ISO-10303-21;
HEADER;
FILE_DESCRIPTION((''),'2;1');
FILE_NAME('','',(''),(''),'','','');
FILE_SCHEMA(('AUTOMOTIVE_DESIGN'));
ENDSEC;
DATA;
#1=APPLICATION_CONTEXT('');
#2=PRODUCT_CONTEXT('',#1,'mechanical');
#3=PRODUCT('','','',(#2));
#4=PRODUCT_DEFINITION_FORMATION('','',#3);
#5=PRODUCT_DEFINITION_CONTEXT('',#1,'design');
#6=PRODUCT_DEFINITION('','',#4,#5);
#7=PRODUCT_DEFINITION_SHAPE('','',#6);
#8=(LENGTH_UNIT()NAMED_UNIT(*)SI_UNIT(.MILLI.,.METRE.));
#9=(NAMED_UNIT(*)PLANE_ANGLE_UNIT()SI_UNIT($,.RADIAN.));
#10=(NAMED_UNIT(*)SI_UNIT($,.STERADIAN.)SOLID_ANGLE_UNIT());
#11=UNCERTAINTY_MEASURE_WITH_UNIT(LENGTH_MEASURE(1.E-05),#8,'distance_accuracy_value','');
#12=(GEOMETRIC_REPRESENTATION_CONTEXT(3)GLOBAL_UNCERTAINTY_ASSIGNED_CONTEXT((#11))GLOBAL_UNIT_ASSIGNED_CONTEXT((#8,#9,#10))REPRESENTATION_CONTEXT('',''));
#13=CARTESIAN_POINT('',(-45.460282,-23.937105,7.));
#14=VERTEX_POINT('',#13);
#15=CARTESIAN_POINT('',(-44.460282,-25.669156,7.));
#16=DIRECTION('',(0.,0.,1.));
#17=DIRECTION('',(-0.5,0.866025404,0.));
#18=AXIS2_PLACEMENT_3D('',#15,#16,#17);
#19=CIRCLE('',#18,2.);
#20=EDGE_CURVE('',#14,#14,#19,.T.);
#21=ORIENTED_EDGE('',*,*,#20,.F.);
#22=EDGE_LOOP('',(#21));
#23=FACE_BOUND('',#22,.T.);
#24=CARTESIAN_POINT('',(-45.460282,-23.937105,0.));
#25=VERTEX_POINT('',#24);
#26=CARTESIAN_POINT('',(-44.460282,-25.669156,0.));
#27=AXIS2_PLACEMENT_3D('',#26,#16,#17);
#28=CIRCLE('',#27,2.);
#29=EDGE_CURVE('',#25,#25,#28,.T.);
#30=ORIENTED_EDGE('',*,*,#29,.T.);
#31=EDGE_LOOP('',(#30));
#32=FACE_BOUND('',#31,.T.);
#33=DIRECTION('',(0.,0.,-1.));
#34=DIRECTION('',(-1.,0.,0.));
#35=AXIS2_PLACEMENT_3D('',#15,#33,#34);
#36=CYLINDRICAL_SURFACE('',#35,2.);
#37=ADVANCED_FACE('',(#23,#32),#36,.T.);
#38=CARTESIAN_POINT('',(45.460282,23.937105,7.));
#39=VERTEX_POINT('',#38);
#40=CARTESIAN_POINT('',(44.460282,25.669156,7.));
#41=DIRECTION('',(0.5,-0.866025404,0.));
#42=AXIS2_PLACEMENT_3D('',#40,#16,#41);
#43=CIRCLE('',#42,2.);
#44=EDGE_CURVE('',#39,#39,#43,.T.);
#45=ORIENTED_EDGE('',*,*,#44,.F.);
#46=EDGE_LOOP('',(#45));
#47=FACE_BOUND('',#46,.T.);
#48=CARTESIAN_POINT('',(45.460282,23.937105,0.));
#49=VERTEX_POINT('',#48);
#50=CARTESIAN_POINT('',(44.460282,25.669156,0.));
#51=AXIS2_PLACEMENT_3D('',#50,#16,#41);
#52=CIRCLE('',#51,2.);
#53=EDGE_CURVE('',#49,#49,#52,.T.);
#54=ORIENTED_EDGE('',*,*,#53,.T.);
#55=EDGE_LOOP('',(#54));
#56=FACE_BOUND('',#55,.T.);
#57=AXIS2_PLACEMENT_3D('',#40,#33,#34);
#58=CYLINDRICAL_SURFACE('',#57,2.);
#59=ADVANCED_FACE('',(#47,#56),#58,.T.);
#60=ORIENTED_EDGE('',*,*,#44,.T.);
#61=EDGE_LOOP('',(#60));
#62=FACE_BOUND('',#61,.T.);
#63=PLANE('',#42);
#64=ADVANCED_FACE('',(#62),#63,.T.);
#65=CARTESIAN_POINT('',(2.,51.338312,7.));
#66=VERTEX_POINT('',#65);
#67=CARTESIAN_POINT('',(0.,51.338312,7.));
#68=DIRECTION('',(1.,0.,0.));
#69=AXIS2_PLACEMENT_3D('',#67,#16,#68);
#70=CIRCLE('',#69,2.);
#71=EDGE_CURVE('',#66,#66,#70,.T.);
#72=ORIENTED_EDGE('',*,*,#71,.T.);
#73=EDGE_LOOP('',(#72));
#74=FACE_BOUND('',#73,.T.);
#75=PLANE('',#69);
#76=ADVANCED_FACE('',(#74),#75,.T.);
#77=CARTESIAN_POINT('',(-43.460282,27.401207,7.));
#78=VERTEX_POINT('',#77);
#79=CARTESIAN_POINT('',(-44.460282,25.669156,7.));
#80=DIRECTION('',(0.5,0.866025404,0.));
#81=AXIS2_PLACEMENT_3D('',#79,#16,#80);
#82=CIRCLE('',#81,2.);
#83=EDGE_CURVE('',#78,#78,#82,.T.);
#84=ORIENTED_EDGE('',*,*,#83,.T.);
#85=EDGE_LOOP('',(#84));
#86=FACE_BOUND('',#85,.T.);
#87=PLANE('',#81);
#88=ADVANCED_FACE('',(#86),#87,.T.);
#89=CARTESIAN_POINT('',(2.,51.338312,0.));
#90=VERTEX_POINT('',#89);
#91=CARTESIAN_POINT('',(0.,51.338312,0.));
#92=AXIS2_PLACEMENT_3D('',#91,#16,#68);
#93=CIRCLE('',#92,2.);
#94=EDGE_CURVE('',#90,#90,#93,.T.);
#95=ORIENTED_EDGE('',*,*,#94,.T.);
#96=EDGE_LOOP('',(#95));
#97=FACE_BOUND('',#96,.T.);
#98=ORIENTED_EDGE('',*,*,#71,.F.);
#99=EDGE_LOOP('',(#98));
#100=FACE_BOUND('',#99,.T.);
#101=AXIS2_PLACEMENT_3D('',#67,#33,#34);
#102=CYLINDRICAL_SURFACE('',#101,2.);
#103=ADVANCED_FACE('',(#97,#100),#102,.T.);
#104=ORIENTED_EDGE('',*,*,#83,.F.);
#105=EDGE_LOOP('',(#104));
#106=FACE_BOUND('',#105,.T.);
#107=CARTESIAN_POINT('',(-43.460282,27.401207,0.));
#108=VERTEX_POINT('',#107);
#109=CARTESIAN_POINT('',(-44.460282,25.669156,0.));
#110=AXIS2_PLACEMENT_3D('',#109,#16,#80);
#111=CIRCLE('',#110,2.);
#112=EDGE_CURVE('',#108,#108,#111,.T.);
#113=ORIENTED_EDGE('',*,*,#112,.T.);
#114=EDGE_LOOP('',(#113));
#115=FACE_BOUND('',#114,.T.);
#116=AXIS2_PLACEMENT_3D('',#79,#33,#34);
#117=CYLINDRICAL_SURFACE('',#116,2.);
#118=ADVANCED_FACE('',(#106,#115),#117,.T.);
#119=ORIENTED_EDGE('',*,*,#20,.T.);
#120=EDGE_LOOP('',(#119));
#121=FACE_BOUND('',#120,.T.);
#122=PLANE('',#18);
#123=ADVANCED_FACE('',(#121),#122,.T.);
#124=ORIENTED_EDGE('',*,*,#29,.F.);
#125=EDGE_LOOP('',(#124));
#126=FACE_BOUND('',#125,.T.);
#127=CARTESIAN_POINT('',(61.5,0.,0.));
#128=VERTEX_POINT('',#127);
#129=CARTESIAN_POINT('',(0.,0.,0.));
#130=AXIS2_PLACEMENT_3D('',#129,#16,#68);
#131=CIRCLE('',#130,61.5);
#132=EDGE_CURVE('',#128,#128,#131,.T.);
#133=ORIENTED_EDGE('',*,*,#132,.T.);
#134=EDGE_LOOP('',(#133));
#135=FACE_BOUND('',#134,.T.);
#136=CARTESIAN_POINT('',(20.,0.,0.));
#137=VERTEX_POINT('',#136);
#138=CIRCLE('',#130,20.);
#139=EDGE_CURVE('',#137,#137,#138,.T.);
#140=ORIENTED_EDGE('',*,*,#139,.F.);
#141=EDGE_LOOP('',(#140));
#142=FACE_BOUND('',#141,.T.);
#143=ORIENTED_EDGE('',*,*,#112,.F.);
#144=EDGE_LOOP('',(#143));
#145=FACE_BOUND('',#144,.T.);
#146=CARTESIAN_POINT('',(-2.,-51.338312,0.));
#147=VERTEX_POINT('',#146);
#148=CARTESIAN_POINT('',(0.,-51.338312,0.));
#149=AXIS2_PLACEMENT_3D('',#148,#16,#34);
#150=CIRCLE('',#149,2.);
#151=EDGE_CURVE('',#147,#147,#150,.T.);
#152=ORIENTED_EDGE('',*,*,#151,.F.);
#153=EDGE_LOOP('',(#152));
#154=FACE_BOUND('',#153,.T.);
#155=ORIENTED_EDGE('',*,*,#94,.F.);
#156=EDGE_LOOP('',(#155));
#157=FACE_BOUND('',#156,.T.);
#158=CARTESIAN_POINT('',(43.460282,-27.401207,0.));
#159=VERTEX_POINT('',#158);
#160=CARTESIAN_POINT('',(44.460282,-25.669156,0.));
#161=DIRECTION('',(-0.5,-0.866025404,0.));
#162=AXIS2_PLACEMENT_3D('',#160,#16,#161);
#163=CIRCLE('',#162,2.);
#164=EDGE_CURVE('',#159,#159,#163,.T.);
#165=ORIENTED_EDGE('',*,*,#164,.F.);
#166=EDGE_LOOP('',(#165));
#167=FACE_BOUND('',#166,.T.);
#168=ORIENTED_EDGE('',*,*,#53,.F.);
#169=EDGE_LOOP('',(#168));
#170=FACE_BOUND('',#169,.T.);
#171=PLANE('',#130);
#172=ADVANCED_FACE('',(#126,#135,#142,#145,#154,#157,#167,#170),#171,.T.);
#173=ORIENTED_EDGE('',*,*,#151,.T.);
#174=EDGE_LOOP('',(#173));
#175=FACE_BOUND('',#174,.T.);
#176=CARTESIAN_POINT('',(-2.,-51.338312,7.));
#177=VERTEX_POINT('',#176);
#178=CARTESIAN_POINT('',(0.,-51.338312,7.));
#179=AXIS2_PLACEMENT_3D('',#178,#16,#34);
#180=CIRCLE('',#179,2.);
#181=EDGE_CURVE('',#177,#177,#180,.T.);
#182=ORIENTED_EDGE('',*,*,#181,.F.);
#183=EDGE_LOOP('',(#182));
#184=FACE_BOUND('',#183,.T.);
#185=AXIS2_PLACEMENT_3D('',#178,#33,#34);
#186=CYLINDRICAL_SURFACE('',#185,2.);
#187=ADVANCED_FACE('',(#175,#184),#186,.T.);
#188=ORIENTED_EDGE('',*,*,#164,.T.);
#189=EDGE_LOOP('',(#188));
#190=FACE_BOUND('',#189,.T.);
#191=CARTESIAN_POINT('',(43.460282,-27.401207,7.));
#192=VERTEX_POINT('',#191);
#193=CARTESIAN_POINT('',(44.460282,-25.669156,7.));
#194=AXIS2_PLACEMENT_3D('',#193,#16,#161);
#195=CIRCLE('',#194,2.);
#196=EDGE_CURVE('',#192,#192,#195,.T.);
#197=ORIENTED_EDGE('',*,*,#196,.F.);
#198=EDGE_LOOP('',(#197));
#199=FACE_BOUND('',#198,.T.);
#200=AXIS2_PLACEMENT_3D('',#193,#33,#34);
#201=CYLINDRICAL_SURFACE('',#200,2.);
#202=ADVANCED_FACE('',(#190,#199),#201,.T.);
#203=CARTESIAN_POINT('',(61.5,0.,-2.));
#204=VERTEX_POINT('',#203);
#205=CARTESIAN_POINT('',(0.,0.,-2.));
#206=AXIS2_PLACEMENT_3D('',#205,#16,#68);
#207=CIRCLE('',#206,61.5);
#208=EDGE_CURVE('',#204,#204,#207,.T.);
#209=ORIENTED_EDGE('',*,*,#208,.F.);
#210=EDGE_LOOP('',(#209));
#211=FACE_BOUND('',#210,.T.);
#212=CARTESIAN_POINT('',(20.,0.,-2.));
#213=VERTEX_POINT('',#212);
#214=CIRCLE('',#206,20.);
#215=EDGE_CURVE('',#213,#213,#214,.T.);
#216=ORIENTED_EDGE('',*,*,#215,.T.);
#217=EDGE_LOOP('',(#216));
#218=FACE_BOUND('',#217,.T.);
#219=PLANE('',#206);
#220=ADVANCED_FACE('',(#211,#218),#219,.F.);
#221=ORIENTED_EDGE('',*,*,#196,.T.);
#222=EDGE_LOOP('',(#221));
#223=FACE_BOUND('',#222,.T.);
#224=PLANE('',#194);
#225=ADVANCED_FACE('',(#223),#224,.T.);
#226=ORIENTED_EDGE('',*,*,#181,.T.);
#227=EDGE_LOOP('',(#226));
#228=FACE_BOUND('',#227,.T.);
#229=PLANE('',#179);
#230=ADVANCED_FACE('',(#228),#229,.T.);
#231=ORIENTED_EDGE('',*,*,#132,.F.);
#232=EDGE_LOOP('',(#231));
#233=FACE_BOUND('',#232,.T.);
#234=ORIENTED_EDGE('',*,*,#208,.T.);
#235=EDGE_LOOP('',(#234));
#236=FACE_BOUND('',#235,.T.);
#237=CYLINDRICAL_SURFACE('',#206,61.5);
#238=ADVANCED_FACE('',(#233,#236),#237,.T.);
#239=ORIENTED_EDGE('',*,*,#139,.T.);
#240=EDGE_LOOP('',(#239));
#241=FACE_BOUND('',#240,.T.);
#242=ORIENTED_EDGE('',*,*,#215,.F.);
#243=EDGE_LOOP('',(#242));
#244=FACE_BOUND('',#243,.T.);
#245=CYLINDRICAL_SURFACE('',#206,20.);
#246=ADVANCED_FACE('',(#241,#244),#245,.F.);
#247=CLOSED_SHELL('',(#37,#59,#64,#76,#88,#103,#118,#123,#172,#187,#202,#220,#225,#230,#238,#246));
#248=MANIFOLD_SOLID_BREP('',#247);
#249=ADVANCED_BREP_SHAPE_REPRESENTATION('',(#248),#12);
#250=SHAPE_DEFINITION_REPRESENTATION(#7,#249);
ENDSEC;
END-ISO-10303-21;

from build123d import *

# Parameters (mm, degrees)
SKETCH1_R           = 61.5
BOSS_EXTRUDE1_DEPTH = 2
SKETCH2_R           = 2
BOSS_EXTRUDE2_DEPTH = 7
CIRPATTERN1_COUNT   = 6
SKETCH1_3_R         = 20
CUT_EXTRUDE1_DEPTH  = 88.255372327


with BuildPart() as part:
    # Sketch1 → Boss-Extrude1 (new body)
    with BuildSketch(Plane.XY):
        Circle(SKETCH1_R)
    extrude(amount=-BOSS_EXTRUDE1_DEPTH)

    # Sketch2 → Boss-Extrude2 (add)
    with BuildSketch(Plane.XY):
        with Locations((0, 51.338311715)):
            Circle(SKETCH2_R)
    boss_extrude2 = extrude(amount=BOSS_EXTRUDE2_DEPTH)

    # CirPattern1: Boss-Extrude2 ×6 about axis
    cirpattern1_axis = Axis((0, 0, 0), (0, 0, -1))
    for i in range(1, CIRPATTERN1_COUNT):
        add(boss_extrude2.rotate(cirpattern1_axis, i * 360 / CIRPATTERN1_COUNT))

    # Sketch1<3> → Cut-Extrude1 (cut, through all)
    with BuildSketch(Plane.XY):
        Circle(SKETCH1_3_R)
    extrude(amount=-CUT_EXTRUDE1_DEPTH, mode=Mode.SUBTRACT)


solid = part.part
